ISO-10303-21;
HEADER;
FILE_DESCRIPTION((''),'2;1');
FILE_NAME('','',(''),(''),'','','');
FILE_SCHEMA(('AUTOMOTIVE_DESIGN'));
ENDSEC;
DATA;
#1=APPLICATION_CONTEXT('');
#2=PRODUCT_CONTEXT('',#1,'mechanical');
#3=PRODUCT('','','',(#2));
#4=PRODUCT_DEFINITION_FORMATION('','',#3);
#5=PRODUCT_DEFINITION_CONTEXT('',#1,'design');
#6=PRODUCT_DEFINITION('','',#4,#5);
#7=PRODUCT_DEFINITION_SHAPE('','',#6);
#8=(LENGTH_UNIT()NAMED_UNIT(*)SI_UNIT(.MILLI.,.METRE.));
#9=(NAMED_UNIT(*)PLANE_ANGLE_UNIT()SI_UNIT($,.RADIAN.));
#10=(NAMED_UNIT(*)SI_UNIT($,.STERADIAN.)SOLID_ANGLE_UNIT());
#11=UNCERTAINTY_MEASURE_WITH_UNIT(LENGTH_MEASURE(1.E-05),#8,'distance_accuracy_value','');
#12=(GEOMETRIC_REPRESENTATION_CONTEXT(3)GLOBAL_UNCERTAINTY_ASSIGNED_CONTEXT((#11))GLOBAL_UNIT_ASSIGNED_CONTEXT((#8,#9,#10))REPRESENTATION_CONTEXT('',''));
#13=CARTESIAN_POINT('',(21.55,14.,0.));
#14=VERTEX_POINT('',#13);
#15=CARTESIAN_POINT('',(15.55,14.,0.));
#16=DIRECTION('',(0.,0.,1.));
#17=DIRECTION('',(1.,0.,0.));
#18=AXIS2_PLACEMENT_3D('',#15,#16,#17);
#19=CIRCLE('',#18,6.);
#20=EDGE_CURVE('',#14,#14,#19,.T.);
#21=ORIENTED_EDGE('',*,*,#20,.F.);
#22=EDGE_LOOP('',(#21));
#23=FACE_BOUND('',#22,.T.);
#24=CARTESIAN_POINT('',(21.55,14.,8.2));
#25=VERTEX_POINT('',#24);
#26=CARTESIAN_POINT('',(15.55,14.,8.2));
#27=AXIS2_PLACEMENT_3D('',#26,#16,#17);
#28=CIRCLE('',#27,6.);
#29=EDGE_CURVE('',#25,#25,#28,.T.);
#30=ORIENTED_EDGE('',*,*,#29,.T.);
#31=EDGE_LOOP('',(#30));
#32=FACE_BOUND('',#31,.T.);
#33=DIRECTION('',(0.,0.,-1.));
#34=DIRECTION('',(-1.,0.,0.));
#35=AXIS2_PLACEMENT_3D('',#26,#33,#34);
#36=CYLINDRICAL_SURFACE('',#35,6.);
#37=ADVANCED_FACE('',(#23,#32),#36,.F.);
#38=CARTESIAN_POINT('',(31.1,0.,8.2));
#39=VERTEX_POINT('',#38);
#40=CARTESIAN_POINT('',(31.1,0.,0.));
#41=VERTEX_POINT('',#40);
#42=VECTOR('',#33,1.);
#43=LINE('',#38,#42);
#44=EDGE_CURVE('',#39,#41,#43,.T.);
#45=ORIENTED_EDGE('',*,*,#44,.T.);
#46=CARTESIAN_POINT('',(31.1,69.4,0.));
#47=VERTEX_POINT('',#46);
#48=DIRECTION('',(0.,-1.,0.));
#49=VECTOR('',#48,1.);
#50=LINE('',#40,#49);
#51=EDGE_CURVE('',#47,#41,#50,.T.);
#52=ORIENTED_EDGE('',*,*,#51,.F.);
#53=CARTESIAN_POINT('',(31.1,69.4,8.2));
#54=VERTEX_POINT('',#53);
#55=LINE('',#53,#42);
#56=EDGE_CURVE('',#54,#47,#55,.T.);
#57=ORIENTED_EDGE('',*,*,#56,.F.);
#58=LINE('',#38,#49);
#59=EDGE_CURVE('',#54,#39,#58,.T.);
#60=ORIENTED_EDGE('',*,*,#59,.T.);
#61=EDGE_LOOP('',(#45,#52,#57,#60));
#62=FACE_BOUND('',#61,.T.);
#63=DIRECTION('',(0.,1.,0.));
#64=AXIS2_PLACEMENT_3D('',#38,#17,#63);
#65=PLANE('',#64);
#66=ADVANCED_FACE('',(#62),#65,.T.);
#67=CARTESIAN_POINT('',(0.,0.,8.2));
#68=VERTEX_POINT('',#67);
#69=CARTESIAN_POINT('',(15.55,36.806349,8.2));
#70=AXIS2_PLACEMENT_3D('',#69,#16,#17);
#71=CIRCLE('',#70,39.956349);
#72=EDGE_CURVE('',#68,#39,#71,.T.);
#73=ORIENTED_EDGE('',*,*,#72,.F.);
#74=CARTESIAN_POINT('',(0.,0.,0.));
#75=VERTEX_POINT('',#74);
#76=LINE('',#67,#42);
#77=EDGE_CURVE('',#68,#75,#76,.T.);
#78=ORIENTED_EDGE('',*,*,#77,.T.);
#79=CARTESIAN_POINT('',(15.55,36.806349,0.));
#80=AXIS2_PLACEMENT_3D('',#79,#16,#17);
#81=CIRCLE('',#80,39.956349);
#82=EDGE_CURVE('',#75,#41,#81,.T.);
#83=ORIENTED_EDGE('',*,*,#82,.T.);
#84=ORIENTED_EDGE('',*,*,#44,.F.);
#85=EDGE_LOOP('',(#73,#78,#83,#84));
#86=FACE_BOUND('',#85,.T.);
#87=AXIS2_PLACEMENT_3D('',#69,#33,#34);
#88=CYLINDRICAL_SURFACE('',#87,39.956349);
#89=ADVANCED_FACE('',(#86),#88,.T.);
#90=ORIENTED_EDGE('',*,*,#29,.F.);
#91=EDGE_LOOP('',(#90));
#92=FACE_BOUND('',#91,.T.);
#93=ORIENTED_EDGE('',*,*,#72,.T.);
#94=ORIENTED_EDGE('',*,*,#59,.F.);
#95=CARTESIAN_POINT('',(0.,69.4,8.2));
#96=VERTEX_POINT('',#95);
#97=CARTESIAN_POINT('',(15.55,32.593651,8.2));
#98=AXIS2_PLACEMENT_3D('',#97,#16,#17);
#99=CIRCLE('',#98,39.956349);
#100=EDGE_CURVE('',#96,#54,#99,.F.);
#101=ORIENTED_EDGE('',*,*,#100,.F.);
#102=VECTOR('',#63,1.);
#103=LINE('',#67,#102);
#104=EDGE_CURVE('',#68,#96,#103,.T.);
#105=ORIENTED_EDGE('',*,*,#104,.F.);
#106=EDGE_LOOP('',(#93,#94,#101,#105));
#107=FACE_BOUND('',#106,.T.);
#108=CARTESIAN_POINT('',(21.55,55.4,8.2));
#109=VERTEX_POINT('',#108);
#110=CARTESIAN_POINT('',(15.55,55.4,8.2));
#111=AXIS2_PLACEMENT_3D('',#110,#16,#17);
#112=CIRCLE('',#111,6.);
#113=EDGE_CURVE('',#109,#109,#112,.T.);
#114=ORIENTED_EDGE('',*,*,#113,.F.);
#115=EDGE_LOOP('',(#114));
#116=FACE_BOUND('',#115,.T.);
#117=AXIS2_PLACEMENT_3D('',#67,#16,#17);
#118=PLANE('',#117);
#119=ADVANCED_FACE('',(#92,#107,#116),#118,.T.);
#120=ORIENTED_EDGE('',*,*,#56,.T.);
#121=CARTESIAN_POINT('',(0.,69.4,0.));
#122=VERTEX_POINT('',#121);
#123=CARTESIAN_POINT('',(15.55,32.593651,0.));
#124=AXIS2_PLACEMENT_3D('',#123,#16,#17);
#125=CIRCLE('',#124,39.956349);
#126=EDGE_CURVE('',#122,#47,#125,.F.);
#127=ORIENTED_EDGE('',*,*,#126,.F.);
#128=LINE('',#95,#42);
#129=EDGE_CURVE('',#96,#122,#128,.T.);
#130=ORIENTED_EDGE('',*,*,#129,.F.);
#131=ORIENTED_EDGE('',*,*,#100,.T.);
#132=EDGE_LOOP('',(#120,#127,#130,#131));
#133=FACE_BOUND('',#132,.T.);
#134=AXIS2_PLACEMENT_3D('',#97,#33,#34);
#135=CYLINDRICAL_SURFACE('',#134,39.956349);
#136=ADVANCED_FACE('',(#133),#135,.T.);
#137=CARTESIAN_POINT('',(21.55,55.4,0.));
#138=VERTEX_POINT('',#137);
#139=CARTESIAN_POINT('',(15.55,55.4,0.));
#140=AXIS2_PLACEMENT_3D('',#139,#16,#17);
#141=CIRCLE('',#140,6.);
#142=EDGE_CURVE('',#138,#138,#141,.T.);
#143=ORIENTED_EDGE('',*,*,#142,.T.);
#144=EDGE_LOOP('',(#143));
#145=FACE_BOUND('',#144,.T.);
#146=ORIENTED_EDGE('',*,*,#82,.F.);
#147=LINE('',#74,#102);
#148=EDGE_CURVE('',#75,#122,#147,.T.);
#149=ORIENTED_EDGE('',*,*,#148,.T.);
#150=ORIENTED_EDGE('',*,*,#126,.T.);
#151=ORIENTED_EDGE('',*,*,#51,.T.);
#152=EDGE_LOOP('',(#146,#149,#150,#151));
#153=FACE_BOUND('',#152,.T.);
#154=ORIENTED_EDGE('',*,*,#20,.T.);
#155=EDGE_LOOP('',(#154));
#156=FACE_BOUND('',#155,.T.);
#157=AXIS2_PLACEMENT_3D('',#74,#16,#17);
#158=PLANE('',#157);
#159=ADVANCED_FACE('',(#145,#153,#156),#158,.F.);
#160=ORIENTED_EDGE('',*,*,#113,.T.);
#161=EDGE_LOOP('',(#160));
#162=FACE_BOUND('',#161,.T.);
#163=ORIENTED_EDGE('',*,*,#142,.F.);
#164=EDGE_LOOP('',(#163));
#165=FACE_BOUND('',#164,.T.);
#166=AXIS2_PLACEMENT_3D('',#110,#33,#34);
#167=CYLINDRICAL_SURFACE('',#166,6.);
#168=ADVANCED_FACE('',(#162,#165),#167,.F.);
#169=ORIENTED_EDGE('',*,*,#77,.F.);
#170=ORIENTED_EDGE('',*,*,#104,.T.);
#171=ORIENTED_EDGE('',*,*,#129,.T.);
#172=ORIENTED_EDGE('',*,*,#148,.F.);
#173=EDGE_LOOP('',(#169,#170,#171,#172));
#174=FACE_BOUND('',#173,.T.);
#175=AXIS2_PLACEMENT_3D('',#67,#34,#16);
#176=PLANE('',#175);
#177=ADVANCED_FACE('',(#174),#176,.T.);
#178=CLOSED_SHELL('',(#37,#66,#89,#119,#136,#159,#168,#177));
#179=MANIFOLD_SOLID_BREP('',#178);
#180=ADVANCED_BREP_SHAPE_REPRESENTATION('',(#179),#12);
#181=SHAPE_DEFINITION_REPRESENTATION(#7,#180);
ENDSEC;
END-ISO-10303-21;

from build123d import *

# Parameters (mm, degrees)
SALIENTE_EXTRUIR2_DEPTH = 8.2


with BuildPart() as part:
    # Croquis1 → Saliente-Extruir2 (new body)
    with BuildSketch(Plane.XY):
        with BuildLine():
            Line((0, 69.4), (0, 34.7))
            Line((0, 34.7), (15.55, 34.7))
            Line((15.55, 34.7), (15.55, 49.4))
            ThreePointArc((15.55, 49.4), (9.55, 55.4), (15.55, 61.4))
            Line((15.55, 61.4), (15.55, 72.55))
            ThreePointArc((15.55, 72.55), (7.617078092, 71.754582753), (0, 69.4))
        make_face()
        with BuildLine():
            Line((15.55, 49.4), (15.55, 34.7))
            Line((15.55, 34.7), (31.1, 34.7))
            Line((31.1, 34.7), (31.1, 69.4))
            ThreePointArc((31.1, 69.4), (23.482921908, 71.754582753), (15.55, 72.55))
            Line((15.55, 72.55), (15.55, 61.4))
            ThreePointArc((15.55, 61.4), (19.792640687, 59.642640687), (21.55, 55.4))
            ThreePointArc((21.55, 55.4), (19.792640687, 51.157359313), (15.55, 49.4))
        make_face()
        with BuildLine():
            Line((0, 34.7), (0, 0))
            ThreePointArc((0, 0), (7.617078092, -2.354582753), (15.55, -3.15))
            Line((15.55, -3.15), (15.55, 8))
            ThreePointArc((15.55, 8), (9.55, 14), (15.55, 20))
            Line((15.55, 20), (15.55, 34.7))
            Line((15.55, 34.7), (0, 34.7))
        make_face()
        with BuildLine():
            Line((15.55, 8), (15.55, -3.15))
            ThreePointArc((15.55, -3.15), (23.482921908, -2.354582753), (31.1, 0))
            Line((31.1, 0), (31.1, 34.7))
            Line((31.1, 34.7), (15.55, 34.7))
            Line((15.55, 34.7), (15.55, 20))
            ThreePointArc((15.55, 20), (19.792640687, 18.242640687), (21.55, 14))
            ThreePointArc((21.55, 14), (19.792640687, 9.757359313), (15.55, 8))
        make_face()
    extrude(amount=SALIENTE_EXTRUIR2_DEPTH)


solid = part.part
